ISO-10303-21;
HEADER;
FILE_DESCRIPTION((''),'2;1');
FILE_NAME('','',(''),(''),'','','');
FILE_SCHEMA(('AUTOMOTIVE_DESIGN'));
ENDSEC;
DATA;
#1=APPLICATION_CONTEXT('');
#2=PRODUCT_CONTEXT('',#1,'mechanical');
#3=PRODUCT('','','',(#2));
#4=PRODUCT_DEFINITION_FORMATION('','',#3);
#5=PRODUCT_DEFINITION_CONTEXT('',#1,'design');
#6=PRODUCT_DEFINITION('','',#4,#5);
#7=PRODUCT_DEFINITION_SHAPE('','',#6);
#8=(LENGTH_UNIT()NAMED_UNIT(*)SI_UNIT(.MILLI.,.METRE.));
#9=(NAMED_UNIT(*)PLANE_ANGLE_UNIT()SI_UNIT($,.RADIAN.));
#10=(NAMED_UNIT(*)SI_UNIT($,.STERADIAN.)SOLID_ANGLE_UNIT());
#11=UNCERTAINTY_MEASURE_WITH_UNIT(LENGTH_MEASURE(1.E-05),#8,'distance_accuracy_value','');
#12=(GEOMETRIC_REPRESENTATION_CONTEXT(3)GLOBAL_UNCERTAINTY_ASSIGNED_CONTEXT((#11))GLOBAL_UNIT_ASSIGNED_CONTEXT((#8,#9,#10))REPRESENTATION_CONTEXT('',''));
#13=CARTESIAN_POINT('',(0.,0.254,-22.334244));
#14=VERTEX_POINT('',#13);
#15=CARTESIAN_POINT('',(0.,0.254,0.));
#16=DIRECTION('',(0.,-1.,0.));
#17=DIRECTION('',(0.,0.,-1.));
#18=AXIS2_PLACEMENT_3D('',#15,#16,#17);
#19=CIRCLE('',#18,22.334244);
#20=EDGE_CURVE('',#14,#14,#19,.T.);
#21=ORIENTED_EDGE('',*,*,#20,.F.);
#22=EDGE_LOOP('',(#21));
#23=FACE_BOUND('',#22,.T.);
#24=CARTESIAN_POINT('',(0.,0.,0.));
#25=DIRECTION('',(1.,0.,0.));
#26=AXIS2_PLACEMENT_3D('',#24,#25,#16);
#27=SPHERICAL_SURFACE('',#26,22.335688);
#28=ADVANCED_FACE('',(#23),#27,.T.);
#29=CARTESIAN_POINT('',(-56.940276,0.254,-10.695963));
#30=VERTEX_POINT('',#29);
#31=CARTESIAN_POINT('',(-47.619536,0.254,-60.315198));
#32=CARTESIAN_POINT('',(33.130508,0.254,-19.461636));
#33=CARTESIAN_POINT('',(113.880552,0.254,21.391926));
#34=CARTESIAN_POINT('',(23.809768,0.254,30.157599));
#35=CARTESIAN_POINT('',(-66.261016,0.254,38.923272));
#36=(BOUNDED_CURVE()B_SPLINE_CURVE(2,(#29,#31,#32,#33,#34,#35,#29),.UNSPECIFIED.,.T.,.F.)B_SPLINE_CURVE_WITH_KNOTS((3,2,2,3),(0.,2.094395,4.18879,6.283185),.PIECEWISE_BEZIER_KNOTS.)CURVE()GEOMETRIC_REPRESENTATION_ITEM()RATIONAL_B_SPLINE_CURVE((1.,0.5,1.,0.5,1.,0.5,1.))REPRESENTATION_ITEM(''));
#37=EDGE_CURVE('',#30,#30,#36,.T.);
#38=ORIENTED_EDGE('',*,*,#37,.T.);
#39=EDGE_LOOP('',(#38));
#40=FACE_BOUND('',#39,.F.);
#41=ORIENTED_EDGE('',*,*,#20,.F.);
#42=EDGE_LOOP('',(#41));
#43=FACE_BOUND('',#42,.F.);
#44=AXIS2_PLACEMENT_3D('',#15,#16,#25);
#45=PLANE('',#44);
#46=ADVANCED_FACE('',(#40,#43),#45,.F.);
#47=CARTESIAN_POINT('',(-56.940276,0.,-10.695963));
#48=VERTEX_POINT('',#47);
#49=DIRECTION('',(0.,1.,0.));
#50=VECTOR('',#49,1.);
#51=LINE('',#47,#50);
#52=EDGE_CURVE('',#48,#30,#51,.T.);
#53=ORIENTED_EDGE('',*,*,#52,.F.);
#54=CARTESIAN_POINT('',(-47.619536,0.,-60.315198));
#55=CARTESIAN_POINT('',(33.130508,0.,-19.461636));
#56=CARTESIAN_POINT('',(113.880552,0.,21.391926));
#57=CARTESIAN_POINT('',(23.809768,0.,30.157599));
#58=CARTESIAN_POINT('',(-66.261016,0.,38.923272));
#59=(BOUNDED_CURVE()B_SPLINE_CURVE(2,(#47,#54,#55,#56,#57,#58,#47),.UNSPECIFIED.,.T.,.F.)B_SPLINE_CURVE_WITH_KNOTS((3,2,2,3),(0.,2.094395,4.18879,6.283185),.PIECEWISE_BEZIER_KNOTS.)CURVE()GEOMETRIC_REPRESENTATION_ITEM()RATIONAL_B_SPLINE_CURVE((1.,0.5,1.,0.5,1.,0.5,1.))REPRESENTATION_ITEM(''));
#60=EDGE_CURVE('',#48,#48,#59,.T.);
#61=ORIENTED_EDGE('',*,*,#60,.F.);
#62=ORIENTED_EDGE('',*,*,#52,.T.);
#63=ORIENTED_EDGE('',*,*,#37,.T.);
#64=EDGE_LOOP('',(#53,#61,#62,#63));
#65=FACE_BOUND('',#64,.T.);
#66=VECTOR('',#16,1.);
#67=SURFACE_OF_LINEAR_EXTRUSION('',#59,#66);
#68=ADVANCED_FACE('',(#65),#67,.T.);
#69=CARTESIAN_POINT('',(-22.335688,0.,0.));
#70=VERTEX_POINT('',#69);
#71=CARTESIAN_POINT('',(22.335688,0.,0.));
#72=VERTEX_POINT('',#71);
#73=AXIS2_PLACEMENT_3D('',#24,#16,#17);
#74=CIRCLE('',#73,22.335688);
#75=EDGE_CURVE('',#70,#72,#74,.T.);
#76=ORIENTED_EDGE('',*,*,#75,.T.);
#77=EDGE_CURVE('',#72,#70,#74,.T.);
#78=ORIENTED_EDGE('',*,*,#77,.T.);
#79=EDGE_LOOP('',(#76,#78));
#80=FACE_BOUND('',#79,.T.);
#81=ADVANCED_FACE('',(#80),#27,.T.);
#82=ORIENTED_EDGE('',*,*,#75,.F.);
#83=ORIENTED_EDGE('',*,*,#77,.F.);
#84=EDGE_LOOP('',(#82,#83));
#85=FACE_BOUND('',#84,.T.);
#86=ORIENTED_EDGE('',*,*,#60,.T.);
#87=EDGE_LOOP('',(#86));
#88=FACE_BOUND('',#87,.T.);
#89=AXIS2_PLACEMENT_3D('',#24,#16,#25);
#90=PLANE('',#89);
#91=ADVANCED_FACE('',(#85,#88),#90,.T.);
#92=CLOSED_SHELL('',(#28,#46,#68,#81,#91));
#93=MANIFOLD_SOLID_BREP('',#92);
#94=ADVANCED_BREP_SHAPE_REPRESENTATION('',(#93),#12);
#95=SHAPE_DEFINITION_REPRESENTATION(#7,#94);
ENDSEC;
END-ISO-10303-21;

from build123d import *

# Parameters (mm, degrees)
F3_DEPTH = 0.254


with BuildPart() as f1:
    # F0 (on Top) → F1 (revolve)
    with BuildSketch(Plane.XY):
        with BuildLine():
            Line((22.335688, 0), (-22.335688, 0))
            ThreePointArc((-22.335688, 0), (0, -22.335688), (22.335688, 0))
        make_face()
    revolve(axis=Axis((0, 0, 0), (1, 0, 0)))

    # F2 (on Front) → F3 (join)
    with BuildSketch(Plane.XZ):
        with BuildLine():
            add(Edge.make_bspline(
                [(-56.940276, -10.695963), (-47.619536, -60.315198), (33.130508, -19.461636), (113.880552, 21.391926), (23.809768, 30.157599), (-66.261016, 38.923272), (-56.940276, -10.695963)],
                knots=[0, 0, 0, 2.094395, 2.094395, 4.18879, 4.18879, 6.283185, 6.283185, 6.283185], degree=2, weights=[1, 0.5, 1, 0.5, 1, 0.5, 1]))
        make_face()
    extrude(amount=-F3_DEPTH)


solid = f1.part
